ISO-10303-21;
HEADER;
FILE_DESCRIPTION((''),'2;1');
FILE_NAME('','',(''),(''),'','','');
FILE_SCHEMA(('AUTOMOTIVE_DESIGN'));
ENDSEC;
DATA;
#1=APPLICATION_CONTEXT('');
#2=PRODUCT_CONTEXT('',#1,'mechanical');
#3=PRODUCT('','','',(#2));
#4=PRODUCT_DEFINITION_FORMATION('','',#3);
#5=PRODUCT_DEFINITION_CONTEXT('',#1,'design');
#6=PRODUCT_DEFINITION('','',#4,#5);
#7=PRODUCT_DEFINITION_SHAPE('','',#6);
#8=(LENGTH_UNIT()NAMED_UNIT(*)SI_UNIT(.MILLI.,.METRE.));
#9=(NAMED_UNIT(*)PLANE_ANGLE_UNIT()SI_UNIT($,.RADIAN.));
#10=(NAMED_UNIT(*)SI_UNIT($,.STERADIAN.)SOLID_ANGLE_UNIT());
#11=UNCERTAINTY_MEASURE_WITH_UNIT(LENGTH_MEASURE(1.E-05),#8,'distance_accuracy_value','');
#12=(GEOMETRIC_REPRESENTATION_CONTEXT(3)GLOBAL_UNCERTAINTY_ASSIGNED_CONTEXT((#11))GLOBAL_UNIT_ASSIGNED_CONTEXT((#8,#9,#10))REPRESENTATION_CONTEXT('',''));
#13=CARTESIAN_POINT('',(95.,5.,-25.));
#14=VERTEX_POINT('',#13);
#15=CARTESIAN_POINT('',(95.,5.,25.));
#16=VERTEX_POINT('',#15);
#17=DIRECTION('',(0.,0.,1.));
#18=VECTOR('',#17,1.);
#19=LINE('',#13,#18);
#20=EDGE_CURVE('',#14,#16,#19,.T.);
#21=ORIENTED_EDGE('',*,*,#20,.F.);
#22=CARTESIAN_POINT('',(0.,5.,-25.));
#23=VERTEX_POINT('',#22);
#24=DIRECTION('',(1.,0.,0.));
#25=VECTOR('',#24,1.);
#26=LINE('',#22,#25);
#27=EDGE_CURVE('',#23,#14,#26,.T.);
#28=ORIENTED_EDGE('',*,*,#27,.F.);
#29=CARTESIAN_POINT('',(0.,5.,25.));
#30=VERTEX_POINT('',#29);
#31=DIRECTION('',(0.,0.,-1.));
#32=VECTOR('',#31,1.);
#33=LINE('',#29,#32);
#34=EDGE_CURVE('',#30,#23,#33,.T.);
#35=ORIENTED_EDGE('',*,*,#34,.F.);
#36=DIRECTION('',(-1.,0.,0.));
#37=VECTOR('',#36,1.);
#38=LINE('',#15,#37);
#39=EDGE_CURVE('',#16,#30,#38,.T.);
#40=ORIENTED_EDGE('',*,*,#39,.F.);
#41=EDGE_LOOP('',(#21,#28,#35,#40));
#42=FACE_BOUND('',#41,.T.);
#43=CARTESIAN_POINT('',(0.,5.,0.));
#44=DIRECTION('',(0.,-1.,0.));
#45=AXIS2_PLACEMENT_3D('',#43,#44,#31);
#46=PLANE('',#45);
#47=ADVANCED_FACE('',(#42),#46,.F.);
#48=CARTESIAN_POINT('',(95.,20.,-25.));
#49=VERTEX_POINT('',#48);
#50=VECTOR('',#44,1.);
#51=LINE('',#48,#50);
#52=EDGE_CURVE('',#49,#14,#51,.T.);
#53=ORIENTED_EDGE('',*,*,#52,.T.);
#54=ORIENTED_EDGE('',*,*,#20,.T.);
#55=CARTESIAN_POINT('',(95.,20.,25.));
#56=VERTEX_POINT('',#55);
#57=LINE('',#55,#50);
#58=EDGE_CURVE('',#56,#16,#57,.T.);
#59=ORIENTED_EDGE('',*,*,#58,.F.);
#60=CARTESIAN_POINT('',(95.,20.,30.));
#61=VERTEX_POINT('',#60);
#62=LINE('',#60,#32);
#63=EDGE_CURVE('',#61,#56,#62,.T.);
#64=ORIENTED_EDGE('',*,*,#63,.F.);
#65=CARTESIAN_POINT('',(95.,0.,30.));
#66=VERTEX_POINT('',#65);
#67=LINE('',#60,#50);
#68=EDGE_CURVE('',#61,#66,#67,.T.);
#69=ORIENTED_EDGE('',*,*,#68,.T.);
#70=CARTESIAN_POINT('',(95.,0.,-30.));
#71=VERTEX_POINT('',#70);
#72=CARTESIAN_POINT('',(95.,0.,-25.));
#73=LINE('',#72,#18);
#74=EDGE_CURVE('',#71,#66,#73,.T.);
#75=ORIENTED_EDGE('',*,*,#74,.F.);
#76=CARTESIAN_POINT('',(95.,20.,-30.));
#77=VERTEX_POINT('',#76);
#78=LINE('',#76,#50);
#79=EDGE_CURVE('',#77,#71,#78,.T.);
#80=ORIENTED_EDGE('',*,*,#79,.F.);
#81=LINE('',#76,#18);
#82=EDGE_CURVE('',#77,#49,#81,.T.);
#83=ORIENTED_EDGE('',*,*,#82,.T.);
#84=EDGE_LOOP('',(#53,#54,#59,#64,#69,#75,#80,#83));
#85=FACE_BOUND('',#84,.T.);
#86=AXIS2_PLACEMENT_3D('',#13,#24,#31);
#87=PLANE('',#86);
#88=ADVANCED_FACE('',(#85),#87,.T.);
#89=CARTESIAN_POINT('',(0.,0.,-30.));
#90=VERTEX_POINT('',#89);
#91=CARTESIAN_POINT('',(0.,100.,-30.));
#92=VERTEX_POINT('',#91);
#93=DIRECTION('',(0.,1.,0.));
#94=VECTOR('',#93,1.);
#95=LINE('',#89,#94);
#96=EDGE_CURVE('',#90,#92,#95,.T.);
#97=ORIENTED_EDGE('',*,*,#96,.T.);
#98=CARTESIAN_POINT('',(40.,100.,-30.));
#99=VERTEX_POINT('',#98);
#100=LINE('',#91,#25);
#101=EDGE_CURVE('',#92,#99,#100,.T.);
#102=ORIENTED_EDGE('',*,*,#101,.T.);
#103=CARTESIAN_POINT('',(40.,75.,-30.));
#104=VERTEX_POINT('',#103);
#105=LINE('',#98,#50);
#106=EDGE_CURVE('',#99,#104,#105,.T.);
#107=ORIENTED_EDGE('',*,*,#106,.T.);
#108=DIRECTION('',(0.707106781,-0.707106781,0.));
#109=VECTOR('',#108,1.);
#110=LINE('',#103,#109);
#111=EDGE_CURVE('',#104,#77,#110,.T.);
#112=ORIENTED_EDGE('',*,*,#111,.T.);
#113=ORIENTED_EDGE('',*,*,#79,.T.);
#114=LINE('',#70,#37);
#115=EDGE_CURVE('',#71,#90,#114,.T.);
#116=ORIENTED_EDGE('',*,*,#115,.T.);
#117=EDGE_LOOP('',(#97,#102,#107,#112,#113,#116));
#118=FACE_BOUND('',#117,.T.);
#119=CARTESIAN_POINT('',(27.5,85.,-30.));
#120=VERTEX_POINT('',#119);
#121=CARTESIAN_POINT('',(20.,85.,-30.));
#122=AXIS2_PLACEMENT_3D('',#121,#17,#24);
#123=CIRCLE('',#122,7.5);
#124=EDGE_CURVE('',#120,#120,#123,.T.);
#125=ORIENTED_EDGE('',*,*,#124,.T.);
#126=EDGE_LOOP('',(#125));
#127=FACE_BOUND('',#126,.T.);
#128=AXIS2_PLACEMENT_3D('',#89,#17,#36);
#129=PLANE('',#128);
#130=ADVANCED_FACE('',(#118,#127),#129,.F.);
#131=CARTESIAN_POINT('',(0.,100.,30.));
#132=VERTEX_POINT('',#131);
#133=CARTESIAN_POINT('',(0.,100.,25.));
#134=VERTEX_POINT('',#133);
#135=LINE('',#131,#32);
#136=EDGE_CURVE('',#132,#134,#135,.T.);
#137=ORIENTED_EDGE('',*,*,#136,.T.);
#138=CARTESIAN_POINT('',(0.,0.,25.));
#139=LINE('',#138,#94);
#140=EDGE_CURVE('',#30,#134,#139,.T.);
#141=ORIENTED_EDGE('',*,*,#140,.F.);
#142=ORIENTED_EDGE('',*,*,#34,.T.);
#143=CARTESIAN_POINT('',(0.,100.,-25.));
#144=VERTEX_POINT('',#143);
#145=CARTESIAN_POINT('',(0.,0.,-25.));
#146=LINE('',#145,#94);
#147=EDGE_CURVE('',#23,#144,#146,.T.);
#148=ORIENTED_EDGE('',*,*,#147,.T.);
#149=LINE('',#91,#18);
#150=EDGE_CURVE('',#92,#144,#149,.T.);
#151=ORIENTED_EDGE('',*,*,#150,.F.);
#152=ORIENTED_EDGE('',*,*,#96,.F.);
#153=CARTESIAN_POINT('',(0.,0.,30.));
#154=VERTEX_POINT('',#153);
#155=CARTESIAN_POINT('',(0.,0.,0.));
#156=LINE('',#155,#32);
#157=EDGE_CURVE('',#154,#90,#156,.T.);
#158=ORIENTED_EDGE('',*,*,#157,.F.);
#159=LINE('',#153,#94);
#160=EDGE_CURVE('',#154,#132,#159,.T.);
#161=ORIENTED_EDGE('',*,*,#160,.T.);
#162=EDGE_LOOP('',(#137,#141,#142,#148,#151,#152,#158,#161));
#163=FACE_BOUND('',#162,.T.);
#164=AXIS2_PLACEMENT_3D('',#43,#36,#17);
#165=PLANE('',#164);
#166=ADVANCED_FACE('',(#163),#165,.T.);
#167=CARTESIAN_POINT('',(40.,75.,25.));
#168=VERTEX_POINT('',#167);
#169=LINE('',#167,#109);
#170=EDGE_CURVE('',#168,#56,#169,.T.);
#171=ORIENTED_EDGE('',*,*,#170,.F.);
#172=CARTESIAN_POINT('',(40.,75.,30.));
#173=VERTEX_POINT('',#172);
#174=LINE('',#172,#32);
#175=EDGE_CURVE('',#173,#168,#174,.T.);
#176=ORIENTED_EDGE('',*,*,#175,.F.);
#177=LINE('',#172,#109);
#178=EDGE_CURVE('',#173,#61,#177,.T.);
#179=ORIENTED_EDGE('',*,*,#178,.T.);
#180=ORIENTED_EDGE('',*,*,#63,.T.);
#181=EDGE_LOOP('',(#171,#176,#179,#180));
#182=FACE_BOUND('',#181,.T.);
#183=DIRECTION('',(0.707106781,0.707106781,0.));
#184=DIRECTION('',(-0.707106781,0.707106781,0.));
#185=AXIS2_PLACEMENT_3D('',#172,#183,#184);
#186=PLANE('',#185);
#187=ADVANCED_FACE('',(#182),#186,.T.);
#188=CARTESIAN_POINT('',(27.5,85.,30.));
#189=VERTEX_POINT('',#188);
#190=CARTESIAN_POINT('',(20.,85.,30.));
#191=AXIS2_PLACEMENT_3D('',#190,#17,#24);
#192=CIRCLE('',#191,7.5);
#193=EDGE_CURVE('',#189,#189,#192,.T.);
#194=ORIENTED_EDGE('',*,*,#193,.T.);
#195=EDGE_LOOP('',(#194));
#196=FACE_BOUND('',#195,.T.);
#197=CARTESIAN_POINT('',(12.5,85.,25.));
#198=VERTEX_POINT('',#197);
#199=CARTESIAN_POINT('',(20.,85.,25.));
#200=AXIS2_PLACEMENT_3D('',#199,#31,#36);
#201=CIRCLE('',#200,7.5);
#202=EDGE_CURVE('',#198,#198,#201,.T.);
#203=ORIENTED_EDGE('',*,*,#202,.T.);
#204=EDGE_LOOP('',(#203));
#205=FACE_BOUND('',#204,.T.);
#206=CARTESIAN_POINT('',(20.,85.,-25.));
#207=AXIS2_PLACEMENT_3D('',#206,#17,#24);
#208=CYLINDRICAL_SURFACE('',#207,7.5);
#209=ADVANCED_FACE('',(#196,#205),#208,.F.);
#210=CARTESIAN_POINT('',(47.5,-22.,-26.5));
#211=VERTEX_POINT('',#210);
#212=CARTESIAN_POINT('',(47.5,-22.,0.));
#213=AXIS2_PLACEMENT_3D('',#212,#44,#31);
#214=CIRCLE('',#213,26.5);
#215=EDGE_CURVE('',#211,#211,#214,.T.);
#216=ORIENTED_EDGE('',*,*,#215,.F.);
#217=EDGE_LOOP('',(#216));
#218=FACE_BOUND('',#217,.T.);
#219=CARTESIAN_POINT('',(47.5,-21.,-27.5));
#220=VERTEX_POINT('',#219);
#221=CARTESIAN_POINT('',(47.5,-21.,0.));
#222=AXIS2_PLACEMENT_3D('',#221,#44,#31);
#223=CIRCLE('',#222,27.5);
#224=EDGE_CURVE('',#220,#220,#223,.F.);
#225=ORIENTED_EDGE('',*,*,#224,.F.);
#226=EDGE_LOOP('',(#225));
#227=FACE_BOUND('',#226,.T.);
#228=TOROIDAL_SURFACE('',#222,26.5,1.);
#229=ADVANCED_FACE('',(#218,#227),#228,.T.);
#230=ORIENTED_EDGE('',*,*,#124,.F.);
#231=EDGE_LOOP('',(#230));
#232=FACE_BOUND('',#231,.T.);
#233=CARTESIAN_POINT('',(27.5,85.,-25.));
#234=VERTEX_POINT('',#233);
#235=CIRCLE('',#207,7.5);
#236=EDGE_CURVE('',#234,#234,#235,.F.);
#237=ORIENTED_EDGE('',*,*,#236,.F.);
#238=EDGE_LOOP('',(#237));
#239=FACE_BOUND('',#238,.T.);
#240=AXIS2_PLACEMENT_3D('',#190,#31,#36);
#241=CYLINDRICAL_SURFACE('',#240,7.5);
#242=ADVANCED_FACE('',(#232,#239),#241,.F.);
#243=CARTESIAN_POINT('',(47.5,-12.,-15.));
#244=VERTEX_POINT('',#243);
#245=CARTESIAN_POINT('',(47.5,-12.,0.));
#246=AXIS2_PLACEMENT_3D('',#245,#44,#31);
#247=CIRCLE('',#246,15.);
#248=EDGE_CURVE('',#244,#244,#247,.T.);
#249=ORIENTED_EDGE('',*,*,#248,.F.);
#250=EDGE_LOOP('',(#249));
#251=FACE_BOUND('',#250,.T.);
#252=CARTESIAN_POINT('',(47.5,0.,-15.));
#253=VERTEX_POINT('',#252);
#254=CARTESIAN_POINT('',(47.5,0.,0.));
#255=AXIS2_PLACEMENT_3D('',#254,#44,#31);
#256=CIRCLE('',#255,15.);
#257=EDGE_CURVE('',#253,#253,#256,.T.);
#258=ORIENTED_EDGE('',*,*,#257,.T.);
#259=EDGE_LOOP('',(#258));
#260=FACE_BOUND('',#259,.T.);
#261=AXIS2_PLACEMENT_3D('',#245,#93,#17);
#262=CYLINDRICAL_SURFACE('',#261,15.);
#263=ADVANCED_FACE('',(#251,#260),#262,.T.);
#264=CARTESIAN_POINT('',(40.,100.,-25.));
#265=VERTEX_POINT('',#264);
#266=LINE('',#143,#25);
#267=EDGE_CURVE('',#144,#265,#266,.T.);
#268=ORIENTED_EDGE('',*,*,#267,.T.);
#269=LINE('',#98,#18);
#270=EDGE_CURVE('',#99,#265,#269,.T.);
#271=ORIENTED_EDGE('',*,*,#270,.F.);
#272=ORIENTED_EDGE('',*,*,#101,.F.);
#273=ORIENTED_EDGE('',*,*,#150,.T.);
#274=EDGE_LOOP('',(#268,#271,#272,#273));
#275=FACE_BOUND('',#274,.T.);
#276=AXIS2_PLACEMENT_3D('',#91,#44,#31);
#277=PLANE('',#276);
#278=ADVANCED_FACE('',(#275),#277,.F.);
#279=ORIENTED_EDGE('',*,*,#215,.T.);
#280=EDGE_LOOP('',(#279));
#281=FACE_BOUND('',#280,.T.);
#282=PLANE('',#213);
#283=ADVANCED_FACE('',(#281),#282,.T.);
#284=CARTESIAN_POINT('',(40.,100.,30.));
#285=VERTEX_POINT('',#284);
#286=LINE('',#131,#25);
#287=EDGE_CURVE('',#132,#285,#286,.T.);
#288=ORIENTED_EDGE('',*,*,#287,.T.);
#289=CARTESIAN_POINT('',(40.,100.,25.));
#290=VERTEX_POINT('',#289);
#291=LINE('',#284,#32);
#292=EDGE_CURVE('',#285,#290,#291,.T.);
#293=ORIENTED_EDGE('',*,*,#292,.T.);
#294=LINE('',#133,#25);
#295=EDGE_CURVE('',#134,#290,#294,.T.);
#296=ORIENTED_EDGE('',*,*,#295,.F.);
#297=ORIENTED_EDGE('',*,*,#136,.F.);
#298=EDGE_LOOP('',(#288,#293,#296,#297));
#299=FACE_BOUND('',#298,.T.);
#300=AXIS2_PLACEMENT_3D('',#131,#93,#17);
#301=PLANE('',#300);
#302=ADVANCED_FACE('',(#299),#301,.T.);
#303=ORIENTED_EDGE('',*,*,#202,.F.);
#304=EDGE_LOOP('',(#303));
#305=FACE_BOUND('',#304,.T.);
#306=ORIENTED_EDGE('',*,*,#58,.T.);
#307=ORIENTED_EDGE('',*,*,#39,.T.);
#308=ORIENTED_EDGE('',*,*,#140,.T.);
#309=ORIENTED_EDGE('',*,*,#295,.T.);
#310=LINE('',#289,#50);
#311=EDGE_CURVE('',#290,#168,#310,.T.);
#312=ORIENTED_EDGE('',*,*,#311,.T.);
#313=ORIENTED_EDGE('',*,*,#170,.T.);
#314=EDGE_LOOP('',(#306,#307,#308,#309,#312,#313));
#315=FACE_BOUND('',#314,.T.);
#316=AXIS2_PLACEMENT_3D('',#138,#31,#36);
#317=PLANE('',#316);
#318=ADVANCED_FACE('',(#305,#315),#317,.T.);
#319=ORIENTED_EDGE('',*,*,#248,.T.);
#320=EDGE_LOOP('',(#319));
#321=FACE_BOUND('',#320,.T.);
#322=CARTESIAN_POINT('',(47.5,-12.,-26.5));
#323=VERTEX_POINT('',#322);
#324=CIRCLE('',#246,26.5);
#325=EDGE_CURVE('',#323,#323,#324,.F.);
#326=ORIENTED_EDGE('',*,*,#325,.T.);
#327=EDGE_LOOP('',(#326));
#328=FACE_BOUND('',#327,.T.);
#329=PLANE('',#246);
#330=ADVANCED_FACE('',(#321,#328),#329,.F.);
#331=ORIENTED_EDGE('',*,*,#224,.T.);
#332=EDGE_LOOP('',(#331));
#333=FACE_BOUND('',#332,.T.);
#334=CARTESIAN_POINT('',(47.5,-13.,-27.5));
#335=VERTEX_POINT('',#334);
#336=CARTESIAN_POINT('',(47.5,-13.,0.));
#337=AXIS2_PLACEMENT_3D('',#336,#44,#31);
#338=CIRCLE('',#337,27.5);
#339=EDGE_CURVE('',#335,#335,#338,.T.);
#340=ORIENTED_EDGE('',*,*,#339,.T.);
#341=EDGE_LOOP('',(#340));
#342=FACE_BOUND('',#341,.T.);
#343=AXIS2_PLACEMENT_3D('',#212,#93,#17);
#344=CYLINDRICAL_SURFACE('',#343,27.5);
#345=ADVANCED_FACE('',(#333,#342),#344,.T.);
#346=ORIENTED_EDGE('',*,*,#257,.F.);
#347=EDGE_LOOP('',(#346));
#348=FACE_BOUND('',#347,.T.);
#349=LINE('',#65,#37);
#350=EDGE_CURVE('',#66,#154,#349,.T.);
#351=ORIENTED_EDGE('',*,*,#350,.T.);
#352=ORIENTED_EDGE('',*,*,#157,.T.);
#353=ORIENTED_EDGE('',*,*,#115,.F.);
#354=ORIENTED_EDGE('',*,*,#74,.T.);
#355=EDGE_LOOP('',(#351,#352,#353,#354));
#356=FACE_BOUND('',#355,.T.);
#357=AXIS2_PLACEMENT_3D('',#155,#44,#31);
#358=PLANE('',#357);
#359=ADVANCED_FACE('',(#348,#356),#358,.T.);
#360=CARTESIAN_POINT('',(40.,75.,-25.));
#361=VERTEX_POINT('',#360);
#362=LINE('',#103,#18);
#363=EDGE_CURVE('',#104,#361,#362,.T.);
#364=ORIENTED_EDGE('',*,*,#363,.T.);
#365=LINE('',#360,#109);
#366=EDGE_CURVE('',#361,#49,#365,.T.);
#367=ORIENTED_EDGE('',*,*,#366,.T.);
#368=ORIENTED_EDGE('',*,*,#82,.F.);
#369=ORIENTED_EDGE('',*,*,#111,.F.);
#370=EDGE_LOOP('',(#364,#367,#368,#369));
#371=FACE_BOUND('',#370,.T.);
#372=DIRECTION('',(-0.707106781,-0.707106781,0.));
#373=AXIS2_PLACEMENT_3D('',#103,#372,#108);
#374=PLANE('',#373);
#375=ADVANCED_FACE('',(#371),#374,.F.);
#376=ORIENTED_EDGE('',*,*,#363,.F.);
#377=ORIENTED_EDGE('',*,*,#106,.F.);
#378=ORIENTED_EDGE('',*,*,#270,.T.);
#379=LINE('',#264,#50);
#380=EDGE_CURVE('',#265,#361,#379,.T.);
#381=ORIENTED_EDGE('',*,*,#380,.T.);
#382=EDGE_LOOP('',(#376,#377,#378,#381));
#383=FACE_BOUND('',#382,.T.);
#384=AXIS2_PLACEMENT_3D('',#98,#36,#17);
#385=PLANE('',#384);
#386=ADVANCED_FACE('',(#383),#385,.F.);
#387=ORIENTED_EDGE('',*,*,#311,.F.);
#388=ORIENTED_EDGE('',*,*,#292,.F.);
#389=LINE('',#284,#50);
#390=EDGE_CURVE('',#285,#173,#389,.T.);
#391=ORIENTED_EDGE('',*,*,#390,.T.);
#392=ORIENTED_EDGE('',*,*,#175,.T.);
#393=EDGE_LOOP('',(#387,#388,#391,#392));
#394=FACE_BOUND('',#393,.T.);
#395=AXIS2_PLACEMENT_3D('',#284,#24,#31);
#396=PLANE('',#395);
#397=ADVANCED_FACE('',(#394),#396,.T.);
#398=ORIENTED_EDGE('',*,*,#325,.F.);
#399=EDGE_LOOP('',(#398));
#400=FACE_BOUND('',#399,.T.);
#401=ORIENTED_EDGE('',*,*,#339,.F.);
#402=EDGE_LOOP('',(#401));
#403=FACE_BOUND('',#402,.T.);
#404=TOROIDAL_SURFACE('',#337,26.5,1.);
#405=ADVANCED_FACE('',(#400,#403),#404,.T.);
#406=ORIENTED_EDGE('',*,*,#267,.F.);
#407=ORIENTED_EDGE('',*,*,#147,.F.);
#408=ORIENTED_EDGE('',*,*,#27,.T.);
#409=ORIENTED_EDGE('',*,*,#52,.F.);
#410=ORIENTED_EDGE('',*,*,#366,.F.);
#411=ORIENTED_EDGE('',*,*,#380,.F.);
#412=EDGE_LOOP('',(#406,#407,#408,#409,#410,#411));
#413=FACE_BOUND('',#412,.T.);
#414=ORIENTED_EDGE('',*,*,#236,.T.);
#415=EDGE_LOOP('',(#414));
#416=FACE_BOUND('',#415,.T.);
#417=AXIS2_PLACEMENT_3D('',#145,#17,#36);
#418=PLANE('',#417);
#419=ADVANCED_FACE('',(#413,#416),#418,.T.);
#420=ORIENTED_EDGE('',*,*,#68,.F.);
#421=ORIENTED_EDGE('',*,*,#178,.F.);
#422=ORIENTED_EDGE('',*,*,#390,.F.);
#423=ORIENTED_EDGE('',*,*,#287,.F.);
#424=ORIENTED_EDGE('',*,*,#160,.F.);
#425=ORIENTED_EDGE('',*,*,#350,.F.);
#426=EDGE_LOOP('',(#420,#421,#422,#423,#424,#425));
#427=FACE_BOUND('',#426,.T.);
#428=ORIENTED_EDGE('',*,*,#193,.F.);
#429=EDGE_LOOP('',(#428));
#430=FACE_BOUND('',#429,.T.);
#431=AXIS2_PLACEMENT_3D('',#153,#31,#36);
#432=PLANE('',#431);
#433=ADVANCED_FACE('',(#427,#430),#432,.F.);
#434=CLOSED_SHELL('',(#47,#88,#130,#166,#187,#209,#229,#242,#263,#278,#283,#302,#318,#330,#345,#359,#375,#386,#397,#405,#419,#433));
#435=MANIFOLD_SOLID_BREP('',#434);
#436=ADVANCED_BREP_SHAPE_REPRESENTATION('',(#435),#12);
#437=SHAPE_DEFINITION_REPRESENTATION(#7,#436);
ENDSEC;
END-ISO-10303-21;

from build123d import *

# Parameters (mm, degrees)
BOSS_EXTRUDE1_DEPTH = 5
BOSS_EXTRUDE2_DEPTH = 5
SKETCH3_R           = 7.5
CUT_EXTRUDE1_DEPTH  = 149.492424049
SKETCH4_R           = 15
BOSS_EXTRUDE3_DEPTH = 12
SKETCH5_R           = 27.5
BOSS_EXTRUDE4_DEPTH = 10
FILLET1_R           = 1


with BuildPart() as part:
    # Sketch1 → Boss-Extrude1 (new body)
    with BuildSketch(Plane(origin=(0, 0, 0), x_dir=(1, 0, 0), z_dir=(0, 1, 0))):
        Polygon((0, 0), (0, 25), (95, 25), (95, -25), (0, -25), align=None)
    extrude(amount=BOSS_EXTRUDE1_DEPTH)

    # Sketch2 → Boss-Extrude2 (add)
    with BuildSketch(Plane.XY.offset(25)):
        Polygon((0, 0), (0, 100), (40, 100), (40, 75), (95, 20), (95, 0), align=None)
    boss_extrude2 = extrude(amount=BOSS_EXTRUDE2_DEPTH)

    # Sketch3 → Cut-Extrude1 (cut, through all)
    with BuildSketch(Plane.XY.offset(30)):
        with Locations((20, 85)):
            Circle(SKETCH3_R)
    cut_extrude1 = extrude(amount=-CUT_EXTRUDE1_DEPTH, mode=Mode.SUBTRACT)

    # Mirror1: Boss-Extrude2, Cut-Extrude1 across plane
    add(boss_extrude2.mirror(Plane.XY))
    add(cut_extrude1.mirror(Plane.XY), mode=Mode.SUBTRACT)

    # Sketch4 → Boss-Extrude3 (add)
    with BuildSketch(Plane(origin=(0, 0, 0), x_dir=(-1, 0, 0), z_dir=(0, -1, 0))):
        with Locations(Location((-47.5, 0, 0), (0, 0, 90))):
            Circle(SKETCH4_R)
    extrude(amount=BOSS_EXTRUDE3_DEPTH)

    # Sketch5 → Boss-Extrude4 (add)
    with BuildSketch(Plane(origin=(0, -12, 0), x_dir=(-1, 0, 0), z_dir=(0, -1, 0))):
        with Locations(Location((-47.5, 0, 0), (0, 0, 90))):
            Circle(SKETCH5_R)
    extrude(amount=BOSS_EXTRUDE4_DEPTH)

    # Fillet1
    fillet1_edges = [part.edges().sort_by_distance(p)[0] for p in [
        (47.5, -12, 27.5),
        (47.5, -22, 27.5),
    ]]
    fillet(fillet1_edges, radius=FILLET1_R)


solid = part.part
